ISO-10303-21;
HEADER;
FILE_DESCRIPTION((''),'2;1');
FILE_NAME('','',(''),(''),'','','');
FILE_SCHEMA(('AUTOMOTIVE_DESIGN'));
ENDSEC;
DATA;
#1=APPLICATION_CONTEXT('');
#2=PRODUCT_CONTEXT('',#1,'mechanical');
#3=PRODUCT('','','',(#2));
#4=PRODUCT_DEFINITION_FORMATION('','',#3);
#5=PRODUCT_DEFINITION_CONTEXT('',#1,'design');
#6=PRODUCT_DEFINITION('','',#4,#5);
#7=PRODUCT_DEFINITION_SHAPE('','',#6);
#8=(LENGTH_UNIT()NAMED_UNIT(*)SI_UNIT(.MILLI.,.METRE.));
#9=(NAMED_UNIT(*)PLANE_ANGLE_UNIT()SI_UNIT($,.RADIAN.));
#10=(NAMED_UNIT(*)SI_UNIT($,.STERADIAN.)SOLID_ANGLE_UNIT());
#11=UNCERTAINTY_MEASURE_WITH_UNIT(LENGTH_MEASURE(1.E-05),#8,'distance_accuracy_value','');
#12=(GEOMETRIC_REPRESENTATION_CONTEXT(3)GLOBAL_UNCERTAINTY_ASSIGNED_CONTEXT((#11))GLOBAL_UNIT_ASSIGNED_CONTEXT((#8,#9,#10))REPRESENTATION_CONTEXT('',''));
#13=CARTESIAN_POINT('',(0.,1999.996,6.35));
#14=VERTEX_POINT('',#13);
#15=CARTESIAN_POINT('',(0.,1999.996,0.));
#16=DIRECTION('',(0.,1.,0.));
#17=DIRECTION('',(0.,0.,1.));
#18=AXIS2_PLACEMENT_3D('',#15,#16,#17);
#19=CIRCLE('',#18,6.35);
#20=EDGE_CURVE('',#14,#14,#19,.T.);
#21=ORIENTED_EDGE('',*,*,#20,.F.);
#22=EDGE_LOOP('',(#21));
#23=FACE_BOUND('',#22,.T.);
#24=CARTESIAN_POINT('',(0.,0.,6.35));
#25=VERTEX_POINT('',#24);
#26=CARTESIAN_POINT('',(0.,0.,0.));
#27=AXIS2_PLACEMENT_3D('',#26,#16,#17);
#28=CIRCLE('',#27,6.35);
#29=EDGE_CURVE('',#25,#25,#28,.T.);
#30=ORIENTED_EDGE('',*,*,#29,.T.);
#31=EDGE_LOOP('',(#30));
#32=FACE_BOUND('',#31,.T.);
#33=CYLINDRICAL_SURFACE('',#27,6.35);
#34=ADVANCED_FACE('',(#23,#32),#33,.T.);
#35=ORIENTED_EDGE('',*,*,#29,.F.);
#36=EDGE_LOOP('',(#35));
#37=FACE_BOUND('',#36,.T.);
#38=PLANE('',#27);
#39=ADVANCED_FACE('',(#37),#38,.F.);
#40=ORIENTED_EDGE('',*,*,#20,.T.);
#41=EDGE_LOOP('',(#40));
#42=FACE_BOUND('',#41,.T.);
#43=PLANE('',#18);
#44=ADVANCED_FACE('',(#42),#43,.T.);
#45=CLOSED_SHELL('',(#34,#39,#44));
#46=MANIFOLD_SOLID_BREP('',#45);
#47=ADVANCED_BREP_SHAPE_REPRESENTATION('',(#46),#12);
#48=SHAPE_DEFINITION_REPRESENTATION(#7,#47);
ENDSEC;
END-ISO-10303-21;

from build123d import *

# Parameters (mm, degrees)
SWEEP1_PROFILE_R = 6.35


with BuildPart() as part:
    # Sweep1: sweep along a path in Sketch1
    with BuildLine(Plane.XY) as sweep1_path:
        Line((0, 0), (0, 1999.996))
    # Sweep1 profile (on start of the path) → Sweep1 (sweep)
    with BuildSketch(Plane.ZX):
        Circle(SWEEP1_PROFILE_R)
    sweep(path=sweep1_path.line)


solid = part.part
